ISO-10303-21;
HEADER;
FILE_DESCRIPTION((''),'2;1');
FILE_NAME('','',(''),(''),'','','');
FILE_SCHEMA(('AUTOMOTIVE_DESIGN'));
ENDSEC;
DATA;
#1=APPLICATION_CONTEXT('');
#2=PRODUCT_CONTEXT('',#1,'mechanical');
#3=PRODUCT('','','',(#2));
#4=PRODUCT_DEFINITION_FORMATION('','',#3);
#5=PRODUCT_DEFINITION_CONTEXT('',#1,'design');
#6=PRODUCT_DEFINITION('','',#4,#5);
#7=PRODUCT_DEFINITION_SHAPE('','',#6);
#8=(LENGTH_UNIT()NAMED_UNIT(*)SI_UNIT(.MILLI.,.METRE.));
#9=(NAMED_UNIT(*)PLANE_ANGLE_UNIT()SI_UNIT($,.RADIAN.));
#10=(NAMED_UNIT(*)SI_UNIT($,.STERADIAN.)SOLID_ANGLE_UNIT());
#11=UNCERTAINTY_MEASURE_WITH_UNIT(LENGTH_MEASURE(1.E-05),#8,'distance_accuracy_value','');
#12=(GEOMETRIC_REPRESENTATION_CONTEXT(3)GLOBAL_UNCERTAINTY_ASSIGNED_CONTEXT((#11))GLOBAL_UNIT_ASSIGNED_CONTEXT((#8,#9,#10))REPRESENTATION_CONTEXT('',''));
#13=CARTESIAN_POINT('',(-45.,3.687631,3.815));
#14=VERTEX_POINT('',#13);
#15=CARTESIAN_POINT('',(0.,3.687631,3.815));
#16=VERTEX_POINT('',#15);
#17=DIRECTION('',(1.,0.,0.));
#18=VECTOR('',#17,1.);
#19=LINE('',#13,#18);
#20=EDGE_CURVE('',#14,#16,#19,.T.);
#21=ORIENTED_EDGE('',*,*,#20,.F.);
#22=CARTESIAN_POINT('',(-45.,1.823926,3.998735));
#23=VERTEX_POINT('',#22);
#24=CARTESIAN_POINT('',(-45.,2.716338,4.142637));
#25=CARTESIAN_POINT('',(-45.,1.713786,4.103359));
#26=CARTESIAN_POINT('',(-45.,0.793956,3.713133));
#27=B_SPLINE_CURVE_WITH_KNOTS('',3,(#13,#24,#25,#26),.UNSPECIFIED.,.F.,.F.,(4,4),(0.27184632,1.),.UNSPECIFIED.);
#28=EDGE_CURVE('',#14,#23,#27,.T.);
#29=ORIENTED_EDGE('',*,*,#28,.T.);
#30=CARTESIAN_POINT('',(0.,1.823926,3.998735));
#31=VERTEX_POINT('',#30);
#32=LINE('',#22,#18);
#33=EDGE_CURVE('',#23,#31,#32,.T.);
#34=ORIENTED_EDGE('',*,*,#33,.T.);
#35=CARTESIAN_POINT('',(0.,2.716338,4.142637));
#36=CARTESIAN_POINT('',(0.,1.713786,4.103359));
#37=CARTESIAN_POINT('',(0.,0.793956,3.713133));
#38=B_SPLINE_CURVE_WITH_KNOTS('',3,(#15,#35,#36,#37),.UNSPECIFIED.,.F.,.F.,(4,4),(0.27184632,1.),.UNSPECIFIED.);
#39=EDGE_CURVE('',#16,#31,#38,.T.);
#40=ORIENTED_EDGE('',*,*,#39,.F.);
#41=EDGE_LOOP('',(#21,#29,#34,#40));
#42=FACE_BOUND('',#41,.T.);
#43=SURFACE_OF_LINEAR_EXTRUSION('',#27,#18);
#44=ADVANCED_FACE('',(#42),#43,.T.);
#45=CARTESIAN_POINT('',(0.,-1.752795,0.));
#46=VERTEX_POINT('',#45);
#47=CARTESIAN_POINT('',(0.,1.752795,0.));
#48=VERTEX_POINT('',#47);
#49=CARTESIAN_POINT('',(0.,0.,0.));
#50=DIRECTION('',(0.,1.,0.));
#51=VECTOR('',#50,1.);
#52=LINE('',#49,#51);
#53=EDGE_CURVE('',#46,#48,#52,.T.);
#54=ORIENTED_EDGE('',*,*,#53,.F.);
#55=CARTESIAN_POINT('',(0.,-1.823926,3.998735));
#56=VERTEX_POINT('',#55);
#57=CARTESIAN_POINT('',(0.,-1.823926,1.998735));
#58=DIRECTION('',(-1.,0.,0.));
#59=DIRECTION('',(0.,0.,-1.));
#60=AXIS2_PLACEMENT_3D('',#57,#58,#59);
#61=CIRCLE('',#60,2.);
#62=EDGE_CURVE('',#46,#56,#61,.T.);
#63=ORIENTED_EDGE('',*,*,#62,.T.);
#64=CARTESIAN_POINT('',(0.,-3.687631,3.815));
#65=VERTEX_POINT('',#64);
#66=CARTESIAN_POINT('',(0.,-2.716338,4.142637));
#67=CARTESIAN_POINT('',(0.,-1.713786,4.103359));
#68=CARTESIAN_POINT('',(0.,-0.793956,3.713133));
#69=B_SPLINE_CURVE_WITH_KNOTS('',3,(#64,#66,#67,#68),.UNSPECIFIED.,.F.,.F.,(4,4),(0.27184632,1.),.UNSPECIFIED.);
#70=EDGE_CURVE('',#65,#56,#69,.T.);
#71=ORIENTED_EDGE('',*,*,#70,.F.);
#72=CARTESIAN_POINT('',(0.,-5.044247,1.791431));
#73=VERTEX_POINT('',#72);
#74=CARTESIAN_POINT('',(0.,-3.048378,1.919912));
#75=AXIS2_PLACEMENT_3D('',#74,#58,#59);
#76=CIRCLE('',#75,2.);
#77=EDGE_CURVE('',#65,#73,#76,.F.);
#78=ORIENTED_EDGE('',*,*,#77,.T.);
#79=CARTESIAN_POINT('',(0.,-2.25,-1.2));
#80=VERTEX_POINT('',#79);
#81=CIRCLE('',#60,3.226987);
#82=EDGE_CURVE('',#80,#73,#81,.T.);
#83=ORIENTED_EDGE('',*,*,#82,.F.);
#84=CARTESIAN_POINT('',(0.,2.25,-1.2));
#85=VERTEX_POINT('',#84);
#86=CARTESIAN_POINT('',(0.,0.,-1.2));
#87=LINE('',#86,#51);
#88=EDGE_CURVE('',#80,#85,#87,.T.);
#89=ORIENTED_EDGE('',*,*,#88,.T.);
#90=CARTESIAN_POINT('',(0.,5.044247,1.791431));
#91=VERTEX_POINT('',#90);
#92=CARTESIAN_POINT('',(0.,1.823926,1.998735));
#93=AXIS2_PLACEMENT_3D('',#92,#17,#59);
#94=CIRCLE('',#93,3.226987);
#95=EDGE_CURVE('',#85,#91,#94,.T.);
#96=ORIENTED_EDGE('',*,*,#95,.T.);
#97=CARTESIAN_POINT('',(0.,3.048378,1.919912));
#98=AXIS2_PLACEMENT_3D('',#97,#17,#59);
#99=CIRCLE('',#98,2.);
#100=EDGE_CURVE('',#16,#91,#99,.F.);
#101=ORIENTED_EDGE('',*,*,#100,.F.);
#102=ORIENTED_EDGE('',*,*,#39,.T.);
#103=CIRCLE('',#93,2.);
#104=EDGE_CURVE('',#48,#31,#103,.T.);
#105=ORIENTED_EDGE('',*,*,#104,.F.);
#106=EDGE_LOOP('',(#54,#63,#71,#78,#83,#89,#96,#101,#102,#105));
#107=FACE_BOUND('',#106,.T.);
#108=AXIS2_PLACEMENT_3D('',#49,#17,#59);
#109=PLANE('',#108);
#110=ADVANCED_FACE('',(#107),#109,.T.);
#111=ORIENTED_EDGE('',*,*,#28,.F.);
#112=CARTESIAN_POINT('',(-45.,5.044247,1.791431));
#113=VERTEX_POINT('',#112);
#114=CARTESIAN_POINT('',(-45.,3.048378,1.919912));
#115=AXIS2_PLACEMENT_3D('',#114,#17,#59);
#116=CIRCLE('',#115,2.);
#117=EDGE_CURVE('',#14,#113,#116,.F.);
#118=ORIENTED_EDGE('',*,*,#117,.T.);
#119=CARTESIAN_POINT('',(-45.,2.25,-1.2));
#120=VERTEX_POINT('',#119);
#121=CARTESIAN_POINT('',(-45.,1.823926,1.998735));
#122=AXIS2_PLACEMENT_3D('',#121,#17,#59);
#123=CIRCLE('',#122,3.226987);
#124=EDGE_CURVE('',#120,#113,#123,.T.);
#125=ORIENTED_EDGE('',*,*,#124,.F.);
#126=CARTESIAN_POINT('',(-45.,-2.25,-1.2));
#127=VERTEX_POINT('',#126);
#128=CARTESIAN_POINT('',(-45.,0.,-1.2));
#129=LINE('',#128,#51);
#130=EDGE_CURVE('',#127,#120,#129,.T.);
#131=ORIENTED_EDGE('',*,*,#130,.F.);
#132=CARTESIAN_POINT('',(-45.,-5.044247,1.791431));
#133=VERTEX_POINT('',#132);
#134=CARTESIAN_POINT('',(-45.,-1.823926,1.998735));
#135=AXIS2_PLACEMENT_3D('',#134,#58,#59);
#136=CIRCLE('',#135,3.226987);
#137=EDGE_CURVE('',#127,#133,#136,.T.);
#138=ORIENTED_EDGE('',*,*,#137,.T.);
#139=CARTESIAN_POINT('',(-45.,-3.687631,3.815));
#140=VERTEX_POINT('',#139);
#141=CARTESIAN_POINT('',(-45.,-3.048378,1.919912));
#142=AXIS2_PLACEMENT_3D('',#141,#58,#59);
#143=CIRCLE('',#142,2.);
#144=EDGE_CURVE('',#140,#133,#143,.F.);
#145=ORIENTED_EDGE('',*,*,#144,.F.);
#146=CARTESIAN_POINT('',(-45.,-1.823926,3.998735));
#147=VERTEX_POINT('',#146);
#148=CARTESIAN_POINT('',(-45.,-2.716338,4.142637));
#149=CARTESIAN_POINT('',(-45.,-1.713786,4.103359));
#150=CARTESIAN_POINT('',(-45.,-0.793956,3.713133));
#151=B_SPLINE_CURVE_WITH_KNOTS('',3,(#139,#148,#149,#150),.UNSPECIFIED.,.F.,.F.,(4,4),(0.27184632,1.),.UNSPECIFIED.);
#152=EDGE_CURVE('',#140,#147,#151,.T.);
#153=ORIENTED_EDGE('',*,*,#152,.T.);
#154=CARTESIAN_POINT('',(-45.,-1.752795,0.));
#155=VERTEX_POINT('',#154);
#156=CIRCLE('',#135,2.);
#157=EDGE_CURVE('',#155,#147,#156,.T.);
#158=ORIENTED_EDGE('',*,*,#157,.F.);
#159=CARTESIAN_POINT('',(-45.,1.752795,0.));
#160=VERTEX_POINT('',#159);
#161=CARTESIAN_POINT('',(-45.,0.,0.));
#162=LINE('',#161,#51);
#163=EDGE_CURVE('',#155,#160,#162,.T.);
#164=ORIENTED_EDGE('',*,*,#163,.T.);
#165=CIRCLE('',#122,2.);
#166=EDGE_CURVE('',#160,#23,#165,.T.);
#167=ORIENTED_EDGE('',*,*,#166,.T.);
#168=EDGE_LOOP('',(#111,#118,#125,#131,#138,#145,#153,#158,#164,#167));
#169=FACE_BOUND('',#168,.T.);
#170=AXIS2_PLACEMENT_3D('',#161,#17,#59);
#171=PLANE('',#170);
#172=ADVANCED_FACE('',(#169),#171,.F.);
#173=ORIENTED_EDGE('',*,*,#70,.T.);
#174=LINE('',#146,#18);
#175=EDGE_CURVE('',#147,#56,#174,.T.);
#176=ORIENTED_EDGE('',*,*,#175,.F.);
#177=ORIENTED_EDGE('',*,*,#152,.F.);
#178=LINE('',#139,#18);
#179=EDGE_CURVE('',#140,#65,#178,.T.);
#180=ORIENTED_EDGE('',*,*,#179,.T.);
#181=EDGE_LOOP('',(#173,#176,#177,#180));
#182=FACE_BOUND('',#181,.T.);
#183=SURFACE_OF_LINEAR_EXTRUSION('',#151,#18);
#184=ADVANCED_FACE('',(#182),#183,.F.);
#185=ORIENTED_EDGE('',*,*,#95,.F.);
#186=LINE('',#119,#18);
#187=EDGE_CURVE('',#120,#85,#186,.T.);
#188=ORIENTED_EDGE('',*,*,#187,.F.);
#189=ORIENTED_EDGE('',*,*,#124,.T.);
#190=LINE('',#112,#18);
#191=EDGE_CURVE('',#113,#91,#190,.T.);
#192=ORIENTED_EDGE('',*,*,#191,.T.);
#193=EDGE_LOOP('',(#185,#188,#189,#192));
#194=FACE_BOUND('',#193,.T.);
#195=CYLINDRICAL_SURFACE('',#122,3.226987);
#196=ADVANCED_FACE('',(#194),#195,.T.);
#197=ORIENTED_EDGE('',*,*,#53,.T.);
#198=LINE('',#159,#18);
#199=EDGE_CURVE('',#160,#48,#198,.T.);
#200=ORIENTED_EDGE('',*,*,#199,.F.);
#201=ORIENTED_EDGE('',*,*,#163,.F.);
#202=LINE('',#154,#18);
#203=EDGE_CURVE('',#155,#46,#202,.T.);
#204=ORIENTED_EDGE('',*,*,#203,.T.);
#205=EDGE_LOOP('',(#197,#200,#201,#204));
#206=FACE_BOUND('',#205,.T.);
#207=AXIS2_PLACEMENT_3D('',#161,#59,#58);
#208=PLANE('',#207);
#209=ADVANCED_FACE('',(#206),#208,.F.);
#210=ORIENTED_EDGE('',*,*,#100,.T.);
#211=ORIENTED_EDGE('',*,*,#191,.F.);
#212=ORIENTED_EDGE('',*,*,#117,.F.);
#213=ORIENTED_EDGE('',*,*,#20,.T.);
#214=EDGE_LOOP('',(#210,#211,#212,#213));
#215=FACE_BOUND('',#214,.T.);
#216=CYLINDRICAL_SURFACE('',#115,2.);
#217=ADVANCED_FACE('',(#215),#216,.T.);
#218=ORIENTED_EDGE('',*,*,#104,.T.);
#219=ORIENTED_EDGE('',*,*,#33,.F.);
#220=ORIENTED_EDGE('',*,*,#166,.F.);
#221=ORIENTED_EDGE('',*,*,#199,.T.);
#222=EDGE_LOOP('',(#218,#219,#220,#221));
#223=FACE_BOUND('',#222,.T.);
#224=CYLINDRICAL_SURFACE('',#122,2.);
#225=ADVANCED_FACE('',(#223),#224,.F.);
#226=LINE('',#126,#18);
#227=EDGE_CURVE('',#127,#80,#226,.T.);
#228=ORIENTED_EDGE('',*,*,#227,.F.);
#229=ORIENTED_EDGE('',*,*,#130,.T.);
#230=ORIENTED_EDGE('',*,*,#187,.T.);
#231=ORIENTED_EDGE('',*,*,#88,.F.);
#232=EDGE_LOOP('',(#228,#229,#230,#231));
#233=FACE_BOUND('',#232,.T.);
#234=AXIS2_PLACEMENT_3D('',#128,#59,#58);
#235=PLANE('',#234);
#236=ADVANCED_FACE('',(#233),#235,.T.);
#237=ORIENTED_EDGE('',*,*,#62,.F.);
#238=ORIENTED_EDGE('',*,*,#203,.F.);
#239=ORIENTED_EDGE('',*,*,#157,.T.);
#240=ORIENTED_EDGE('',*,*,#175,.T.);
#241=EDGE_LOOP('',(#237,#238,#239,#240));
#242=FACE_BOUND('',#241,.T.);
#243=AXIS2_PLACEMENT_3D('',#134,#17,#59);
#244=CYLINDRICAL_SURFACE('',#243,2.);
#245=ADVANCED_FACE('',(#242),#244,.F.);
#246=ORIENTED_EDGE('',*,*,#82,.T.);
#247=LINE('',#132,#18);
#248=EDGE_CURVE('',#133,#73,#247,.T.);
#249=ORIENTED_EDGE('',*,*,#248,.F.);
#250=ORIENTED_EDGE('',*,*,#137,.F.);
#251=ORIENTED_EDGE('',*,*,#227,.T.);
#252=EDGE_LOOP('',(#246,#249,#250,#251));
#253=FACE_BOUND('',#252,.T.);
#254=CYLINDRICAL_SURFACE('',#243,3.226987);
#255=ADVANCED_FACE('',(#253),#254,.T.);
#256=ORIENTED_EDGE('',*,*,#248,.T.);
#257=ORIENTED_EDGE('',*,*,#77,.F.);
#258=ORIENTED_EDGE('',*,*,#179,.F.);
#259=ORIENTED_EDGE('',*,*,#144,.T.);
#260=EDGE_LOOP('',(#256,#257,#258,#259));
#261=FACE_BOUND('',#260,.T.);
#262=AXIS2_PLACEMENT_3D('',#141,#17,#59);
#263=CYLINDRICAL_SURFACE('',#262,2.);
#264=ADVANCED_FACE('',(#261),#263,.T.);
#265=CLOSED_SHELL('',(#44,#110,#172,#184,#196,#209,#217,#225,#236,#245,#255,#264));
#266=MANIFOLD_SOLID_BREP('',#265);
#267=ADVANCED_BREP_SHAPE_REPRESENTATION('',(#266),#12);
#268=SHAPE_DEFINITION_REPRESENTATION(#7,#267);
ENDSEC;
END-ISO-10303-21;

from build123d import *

# Parameters (mm, degrees)
BOSS_EXTRUDE1_DEPTH = 45


with BuildPart() as part:
    # Sketch1 → Boss-Extrude1 (new body)
    with BuildSketch(Plane(origin=(0, 0, 0), x_dir=(0, 0, -1), z_dir=(1, 0, 0))):
        with BuildLine():
            Line((0, 1.752794941), (0, 0))
            Line((0, 0), (1.2, 0))
            Line((1.2, 0), (1.2, 2.25))
            ThreePointArc((1.2, 2.25), (0.204042598, 4.182148799), (-1.79143145, 5.044247083))
            ThreePointArc((-1.79143145, 5.044247083), (-3.03361172, 4.709604832), (-3.814999682, 3.687631197))
            add(Edge.make_bspline(
                [(-3.814999682, 3.687631197), (-4.023588676, 3.069262046), (-4.083460081, 2.438222998), (-3.998734694, 1.823925967)],
                knots=[0.27184632, 0.27184632, 0.27184632, 0.27184632, 0.735422056, 0.735422056, 0.735422056, 0.735422056], degree=3))
            ThreePointArc((-3.998734694, 1.823925967), (-2.034305834, 3.823609616), (0, 1.895056993))
            ThreePointArc((0, 1.895056993), (0.000948954, 1.859497107), (0.001265306, 1.823925967))
            ThreePointArc((0.001265306, 1.823925967), (0.000948954, 1.788354828), (0, 1.752794941))
        make_face()
    extrude(amount=-BOSS_EXTRUDE1_DEPTH)

    # Mirror1: part across plane


with BuildPart() as part_1:
    add(part.part)
    add(part.part.mirror(Plane(origin=(-45, 0, 0), x_dir=(0, 0, 1), z_dir=(0, -1, 0))))


solid = part_1.part
